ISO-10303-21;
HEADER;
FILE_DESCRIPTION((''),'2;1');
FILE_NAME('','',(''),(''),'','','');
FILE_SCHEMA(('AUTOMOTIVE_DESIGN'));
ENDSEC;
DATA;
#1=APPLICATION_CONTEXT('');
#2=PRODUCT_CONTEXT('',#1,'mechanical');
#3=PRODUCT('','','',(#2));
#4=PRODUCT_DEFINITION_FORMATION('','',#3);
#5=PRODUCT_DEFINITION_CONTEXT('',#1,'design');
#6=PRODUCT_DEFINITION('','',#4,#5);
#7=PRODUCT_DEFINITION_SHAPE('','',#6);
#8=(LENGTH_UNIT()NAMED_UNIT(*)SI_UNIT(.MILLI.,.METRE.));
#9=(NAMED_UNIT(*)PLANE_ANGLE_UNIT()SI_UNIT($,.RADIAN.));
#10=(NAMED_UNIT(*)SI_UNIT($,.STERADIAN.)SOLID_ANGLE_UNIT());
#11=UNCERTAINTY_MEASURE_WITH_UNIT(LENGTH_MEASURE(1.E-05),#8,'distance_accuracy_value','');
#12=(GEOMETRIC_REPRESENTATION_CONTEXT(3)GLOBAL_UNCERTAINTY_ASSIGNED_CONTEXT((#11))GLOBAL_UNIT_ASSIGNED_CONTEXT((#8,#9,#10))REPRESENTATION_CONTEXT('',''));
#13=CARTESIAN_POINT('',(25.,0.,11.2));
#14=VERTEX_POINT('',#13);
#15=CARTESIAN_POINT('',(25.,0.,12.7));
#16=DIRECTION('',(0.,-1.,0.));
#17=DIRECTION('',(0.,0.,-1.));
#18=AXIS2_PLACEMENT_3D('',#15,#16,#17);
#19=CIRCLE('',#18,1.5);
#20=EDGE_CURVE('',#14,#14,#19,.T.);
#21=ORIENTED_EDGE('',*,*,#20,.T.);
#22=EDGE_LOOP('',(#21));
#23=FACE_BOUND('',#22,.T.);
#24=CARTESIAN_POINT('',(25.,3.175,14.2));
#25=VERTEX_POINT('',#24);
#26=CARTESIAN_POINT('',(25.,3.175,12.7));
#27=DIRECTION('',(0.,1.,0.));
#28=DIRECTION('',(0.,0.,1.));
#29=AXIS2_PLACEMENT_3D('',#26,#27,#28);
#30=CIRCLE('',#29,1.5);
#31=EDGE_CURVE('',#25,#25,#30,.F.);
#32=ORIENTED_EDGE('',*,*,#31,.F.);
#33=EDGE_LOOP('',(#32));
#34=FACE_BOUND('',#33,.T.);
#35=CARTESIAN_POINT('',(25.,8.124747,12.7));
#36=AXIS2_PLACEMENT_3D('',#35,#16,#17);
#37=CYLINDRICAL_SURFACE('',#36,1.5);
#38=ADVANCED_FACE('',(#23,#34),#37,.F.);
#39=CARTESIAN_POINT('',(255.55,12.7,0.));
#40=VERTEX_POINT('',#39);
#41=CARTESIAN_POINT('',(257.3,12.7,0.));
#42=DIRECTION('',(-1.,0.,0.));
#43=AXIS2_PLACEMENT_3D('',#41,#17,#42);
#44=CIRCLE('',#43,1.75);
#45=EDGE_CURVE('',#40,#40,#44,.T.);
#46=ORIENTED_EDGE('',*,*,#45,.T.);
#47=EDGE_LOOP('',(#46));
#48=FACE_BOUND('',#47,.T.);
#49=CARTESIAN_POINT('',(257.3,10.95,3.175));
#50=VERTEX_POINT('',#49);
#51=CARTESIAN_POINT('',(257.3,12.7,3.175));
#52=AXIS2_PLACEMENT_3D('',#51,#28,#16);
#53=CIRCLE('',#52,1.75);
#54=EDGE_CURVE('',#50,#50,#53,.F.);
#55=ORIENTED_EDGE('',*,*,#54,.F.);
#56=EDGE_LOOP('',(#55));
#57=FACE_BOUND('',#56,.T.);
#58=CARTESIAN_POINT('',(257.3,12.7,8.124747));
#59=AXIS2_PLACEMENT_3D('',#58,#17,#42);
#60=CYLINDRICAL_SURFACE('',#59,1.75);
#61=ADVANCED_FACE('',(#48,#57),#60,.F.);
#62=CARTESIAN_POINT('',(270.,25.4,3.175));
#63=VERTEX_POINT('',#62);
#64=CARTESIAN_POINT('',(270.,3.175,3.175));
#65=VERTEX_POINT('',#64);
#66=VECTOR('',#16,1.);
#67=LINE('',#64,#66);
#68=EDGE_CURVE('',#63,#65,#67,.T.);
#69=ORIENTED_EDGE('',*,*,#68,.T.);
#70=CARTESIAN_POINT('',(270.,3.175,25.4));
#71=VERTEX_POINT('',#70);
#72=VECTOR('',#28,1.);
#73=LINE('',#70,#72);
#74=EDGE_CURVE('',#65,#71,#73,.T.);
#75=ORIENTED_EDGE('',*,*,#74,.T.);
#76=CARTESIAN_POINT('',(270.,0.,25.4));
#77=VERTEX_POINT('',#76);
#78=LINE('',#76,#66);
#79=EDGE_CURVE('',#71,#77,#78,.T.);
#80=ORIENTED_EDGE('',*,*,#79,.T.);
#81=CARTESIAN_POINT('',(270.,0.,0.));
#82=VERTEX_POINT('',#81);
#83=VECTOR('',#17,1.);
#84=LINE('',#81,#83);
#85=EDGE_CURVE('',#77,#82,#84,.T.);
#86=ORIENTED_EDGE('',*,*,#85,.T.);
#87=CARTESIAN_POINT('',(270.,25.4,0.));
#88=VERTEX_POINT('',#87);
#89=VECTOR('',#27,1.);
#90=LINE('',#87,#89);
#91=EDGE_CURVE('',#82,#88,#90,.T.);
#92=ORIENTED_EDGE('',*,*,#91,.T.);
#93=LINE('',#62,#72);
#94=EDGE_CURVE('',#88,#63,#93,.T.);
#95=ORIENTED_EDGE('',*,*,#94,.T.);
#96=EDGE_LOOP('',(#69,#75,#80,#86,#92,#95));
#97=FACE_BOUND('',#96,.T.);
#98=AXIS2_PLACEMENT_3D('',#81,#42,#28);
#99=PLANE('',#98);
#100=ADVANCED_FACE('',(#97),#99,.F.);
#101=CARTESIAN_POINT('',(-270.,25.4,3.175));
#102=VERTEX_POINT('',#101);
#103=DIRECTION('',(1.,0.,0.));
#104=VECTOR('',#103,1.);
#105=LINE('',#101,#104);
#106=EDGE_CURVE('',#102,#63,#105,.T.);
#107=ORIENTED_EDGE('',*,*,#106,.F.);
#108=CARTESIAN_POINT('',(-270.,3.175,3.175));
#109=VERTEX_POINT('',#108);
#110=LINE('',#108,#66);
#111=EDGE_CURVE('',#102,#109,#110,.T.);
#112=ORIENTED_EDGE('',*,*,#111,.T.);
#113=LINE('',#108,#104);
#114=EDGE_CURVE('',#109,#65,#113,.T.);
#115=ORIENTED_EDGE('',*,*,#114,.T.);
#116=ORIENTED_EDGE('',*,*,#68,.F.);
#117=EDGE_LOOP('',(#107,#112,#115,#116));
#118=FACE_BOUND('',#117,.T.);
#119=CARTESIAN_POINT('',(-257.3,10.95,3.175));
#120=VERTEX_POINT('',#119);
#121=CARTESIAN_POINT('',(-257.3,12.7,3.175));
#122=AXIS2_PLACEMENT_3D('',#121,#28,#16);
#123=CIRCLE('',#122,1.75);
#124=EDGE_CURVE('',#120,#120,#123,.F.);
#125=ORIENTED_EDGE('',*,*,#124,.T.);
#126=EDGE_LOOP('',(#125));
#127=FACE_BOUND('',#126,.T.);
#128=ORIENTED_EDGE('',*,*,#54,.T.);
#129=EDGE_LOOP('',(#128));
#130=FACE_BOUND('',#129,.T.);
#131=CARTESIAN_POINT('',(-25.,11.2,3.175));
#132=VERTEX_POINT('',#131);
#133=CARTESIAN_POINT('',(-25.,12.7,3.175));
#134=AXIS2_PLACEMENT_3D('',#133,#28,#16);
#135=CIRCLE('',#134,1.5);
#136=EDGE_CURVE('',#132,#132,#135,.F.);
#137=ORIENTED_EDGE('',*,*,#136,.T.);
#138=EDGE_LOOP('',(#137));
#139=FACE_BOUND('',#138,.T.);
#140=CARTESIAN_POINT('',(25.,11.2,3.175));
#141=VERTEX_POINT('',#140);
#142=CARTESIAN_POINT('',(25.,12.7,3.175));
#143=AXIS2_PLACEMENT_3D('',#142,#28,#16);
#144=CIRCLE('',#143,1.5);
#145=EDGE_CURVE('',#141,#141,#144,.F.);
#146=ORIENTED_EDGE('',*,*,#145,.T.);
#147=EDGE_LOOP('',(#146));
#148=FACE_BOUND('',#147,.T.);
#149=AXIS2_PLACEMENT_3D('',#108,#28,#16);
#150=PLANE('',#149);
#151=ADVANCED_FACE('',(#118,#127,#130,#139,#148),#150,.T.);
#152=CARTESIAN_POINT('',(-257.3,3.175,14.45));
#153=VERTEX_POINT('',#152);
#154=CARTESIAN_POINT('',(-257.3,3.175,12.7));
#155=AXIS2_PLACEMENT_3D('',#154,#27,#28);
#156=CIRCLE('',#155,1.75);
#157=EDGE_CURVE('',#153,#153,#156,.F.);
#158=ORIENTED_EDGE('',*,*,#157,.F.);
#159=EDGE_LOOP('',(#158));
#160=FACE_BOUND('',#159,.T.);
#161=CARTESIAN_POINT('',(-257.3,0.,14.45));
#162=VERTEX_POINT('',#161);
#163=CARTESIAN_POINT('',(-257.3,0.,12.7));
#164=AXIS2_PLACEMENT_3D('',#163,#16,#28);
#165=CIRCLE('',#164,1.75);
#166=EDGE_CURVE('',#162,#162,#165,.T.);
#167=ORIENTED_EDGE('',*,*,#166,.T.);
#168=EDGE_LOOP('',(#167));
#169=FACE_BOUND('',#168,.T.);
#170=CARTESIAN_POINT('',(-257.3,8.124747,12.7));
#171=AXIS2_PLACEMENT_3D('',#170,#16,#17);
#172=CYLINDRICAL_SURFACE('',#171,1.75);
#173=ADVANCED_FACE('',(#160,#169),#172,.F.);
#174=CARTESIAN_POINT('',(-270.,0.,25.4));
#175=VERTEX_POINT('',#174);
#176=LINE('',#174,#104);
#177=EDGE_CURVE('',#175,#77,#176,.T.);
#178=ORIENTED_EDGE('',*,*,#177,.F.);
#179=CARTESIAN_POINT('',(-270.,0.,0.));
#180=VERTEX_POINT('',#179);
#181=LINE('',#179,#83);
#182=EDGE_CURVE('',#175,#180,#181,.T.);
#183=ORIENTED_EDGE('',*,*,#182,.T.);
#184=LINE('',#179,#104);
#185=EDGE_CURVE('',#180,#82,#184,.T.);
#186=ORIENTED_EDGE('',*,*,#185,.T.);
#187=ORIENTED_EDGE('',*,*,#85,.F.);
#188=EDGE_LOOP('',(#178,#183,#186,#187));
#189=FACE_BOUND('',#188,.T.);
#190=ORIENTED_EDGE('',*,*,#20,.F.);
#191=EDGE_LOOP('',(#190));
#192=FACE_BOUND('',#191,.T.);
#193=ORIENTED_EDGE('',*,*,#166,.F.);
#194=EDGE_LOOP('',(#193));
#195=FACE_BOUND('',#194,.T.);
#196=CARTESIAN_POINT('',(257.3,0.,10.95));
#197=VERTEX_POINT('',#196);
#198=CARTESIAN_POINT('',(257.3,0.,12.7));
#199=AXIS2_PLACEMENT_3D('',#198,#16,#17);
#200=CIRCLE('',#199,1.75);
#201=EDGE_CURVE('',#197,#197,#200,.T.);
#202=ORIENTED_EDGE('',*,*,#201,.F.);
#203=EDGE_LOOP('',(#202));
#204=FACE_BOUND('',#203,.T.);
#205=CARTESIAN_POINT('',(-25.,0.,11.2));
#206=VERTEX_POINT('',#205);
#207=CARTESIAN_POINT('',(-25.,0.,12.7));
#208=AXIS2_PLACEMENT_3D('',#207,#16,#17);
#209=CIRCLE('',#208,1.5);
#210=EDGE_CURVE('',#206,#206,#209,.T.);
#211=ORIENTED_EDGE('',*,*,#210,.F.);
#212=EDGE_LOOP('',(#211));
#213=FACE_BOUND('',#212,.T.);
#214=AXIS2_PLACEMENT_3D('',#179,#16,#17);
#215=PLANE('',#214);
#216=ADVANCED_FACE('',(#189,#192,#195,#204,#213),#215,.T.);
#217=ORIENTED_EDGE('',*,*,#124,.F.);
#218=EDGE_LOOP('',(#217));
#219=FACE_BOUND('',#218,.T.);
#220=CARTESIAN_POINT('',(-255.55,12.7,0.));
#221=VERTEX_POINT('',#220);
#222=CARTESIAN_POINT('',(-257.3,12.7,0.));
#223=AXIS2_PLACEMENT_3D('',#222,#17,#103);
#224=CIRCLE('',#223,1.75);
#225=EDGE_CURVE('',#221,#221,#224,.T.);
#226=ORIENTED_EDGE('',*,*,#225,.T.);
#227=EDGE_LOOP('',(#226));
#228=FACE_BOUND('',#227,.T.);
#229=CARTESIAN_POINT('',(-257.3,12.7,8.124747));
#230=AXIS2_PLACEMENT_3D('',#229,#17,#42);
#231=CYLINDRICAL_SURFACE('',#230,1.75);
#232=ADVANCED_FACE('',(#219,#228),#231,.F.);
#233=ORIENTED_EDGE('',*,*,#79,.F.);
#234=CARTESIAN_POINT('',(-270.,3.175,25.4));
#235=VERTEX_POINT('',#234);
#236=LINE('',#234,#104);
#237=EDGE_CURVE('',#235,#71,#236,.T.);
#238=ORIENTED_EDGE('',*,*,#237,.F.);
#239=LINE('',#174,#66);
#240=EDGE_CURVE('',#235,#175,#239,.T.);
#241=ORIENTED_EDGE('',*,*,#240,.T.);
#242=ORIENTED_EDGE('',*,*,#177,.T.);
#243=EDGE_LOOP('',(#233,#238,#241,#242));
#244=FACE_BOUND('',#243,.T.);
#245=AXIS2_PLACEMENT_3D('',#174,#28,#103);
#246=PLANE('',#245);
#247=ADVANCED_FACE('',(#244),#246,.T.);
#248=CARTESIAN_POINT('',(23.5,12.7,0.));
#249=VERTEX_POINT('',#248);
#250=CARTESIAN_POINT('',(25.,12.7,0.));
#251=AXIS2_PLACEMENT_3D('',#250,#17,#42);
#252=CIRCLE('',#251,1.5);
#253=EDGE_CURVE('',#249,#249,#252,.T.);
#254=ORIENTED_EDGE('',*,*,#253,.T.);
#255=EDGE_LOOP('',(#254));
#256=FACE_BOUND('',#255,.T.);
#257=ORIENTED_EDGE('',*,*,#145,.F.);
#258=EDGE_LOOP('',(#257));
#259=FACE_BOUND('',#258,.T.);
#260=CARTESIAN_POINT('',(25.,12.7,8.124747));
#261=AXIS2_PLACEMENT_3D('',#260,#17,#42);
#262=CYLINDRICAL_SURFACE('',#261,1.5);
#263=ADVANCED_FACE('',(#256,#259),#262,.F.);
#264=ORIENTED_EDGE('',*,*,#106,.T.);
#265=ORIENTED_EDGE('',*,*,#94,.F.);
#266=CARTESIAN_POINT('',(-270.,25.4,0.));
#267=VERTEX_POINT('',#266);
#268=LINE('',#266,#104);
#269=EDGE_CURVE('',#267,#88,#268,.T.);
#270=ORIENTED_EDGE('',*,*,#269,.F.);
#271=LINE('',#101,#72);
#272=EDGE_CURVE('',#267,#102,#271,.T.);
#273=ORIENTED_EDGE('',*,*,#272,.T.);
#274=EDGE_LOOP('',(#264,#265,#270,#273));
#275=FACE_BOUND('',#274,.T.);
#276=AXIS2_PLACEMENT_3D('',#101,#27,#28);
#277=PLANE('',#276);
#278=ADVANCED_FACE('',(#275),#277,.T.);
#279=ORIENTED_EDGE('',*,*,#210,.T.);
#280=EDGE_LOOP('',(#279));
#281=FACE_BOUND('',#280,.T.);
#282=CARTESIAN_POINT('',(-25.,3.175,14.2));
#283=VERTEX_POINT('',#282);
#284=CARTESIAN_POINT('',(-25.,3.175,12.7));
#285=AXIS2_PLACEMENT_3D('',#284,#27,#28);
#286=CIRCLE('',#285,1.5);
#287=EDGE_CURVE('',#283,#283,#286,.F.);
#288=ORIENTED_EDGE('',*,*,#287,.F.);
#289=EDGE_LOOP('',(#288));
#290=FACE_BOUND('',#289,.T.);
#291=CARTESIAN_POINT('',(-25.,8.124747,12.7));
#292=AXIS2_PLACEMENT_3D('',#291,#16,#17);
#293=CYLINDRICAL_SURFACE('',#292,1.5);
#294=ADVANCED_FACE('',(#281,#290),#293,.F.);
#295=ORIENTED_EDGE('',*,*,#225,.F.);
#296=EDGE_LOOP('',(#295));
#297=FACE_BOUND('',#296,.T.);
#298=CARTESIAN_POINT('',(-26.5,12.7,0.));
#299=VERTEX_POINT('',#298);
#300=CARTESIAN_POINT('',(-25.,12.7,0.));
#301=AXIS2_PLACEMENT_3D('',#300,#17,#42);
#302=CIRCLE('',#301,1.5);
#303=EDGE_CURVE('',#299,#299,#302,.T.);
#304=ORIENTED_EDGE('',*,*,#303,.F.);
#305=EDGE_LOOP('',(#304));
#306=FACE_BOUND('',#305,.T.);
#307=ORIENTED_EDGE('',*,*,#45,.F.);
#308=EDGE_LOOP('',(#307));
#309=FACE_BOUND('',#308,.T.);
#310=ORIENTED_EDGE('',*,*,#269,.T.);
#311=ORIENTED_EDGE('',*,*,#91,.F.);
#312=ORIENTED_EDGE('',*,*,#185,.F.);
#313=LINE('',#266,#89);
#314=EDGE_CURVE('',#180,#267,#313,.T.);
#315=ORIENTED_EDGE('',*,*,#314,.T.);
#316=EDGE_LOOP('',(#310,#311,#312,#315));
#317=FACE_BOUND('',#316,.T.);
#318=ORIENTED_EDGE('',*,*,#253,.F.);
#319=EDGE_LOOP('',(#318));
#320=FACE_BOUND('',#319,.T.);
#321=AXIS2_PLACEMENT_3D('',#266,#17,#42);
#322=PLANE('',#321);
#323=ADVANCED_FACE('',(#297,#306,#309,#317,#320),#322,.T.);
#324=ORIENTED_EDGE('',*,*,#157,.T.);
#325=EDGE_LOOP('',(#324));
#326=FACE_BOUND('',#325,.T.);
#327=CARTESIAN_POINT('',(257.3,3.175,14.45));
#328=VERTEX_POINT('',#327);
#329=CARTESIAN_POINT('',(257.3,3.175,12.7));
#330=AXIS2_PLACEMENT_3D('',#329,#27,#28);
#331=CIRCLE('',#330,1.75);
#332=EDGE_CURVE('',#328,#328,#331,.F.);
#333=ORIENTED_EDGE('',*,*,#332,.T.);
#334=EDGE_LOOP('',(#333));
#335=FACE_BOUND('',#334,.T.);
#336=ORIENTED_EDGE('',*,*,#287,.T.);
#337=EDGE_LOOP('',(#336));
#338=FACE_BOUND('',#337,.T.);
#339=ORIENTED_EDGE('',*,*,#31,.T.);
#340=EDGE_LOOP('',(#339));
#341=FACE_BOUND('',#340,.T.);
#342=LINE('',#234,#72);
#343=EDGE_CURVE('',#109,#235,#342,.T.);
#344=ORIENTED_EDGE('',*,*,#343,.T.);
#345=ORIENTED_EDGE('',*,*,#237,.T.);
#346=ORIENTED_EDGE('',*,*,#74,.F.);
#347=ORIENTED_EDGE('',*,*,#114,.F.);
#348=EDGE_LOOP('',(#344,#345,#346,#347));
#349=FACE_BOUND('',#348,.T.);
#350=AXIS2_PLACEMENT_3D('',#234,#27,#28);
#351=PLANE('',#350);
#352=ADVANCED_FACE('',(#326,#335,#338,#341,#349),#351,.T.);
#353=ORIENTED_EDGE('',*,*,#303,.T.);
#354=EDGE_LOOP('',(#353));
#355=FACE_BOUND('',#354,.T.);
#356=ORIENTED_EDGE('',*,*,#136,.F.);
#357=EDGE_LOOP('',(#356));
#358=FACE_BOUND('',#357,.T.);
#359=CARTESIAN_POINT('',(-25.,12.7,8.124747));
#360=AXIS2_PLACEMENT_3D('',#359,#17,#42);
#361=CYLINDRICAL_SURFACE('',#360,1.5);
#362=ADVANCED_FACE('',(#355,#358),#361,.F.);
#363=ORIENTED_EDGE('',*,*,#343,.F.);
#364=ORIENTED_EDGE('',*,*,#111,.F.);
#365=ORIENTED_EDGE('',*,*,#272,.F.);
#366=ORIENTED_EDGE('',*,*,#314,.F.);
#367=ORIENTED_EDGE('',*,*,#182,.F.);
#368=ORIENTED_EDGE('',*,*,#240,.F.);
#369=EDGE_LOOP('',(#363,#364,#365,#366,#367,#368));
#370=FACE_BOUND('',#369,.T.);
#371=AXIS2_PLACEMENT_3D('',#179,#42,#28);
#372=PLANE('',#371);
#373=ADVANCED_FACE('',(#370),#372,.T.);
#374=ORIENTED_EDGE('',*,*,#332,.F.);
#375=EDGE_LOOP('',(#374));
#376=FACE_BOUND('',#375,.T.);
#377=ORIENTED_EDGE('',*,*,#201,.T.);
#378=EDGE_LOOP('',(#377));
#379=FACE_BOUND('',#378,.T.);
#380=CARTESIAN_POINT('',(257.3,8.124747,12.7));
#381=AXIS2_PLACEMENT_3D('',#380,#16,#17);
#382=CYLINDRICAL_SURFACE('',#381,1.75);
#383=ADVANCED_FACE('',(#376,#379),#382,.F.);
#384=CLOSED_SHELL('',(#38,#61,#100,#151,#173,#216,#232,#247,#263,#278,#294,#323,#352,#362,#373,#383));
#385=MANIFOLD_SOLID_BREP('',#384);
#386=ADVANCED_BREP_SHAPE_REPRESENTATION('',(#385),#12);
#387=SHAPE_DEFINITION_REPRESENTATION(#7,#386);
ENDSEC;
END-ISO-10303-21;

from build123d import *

# Parameters (mm, degrees)
SALIENTE_EXTRUIR1_DEPTH      = 270
SALIENTE_EXTRUIR1_DEPTH_BACK = 270
CROQUIS3_R                   = 1.5
CROQUIS3_R_2                 = 1.75
CORTAR_EXTRUIR1_DEPTH        = 3.175
CROQUIS4_R                   = 1.5
CROQUIS4_R_2                 = 1.75
CORTAR_EXTRUIR2_DEPTH        = 3.175


with BuildPart() as part:
    # Croquis1 → Saliente-Extruir1 (new body, two sides)
    with BuildSketch(Plane(origin=(0, 0, 0), x_dir=(0, 0, -1), z_dir=(1, 0, 0))) as saliente_extruir1_sk:
        Polygon((0, 25.4), (0, 0), (-25.4, 0), (-25.4, 3.175), (-3.175, 3.175), (-3.175, 25.4), align=None)
    extrude(amount=SALIENTE_EXTRUIR1_DEPTH)
    extrude(saliente_extruir1_sk.sketch, amount=-SALIENTE_EXTRUIR1_DEPTH_BACK)

    # Croquis3 → Cortar-Extruir1 (cut)
    with BuildSketch(Plane(origin=(0, 0, 0), x_dir=(-1, 0, 0), z_dir=(0, -1, 0))):
        with Locations((-25, -12.7)):
            Circle(CROQUIS3_R)
        with Locations((25, -12.7)):
            Circle(CROQUIS3_R)
        with Locations((-257.3, -12.7)):
            Circle(CROQUIS3_R_2)
        with Locations((257.3, -12.7)):
            Circle(CROQUIS3_R_2)
    extrude(amount=-CORTAR_EXTRUIR1_DEPTH, mode=Mode.SUBTRACT)

    # Croquis4 → Cortar-Extruir2 (cut)
    with BuildSketch(Plane(origin=(0, 0, 0), x_dir=(-1, 0, 0), z_dir=(0, 0, -1))):
        with Locations((25, 12.7)):
            Circle(CROQUIS4_R)
        with Locations((-25, 12.7)):
            Circle(CROQUIS4_R)
        with Locations((-257.3, 12.7)):
            Circle(CROQUIS4_R_2)
        with Locations((257.3, 12.7)):
            Circle(CROQUIS4_R_2)
    extrude(amount=-CORTAR_EXTRUIR2_DEPTH, mode=Mode.SUBTRACT)


solid = part.part
